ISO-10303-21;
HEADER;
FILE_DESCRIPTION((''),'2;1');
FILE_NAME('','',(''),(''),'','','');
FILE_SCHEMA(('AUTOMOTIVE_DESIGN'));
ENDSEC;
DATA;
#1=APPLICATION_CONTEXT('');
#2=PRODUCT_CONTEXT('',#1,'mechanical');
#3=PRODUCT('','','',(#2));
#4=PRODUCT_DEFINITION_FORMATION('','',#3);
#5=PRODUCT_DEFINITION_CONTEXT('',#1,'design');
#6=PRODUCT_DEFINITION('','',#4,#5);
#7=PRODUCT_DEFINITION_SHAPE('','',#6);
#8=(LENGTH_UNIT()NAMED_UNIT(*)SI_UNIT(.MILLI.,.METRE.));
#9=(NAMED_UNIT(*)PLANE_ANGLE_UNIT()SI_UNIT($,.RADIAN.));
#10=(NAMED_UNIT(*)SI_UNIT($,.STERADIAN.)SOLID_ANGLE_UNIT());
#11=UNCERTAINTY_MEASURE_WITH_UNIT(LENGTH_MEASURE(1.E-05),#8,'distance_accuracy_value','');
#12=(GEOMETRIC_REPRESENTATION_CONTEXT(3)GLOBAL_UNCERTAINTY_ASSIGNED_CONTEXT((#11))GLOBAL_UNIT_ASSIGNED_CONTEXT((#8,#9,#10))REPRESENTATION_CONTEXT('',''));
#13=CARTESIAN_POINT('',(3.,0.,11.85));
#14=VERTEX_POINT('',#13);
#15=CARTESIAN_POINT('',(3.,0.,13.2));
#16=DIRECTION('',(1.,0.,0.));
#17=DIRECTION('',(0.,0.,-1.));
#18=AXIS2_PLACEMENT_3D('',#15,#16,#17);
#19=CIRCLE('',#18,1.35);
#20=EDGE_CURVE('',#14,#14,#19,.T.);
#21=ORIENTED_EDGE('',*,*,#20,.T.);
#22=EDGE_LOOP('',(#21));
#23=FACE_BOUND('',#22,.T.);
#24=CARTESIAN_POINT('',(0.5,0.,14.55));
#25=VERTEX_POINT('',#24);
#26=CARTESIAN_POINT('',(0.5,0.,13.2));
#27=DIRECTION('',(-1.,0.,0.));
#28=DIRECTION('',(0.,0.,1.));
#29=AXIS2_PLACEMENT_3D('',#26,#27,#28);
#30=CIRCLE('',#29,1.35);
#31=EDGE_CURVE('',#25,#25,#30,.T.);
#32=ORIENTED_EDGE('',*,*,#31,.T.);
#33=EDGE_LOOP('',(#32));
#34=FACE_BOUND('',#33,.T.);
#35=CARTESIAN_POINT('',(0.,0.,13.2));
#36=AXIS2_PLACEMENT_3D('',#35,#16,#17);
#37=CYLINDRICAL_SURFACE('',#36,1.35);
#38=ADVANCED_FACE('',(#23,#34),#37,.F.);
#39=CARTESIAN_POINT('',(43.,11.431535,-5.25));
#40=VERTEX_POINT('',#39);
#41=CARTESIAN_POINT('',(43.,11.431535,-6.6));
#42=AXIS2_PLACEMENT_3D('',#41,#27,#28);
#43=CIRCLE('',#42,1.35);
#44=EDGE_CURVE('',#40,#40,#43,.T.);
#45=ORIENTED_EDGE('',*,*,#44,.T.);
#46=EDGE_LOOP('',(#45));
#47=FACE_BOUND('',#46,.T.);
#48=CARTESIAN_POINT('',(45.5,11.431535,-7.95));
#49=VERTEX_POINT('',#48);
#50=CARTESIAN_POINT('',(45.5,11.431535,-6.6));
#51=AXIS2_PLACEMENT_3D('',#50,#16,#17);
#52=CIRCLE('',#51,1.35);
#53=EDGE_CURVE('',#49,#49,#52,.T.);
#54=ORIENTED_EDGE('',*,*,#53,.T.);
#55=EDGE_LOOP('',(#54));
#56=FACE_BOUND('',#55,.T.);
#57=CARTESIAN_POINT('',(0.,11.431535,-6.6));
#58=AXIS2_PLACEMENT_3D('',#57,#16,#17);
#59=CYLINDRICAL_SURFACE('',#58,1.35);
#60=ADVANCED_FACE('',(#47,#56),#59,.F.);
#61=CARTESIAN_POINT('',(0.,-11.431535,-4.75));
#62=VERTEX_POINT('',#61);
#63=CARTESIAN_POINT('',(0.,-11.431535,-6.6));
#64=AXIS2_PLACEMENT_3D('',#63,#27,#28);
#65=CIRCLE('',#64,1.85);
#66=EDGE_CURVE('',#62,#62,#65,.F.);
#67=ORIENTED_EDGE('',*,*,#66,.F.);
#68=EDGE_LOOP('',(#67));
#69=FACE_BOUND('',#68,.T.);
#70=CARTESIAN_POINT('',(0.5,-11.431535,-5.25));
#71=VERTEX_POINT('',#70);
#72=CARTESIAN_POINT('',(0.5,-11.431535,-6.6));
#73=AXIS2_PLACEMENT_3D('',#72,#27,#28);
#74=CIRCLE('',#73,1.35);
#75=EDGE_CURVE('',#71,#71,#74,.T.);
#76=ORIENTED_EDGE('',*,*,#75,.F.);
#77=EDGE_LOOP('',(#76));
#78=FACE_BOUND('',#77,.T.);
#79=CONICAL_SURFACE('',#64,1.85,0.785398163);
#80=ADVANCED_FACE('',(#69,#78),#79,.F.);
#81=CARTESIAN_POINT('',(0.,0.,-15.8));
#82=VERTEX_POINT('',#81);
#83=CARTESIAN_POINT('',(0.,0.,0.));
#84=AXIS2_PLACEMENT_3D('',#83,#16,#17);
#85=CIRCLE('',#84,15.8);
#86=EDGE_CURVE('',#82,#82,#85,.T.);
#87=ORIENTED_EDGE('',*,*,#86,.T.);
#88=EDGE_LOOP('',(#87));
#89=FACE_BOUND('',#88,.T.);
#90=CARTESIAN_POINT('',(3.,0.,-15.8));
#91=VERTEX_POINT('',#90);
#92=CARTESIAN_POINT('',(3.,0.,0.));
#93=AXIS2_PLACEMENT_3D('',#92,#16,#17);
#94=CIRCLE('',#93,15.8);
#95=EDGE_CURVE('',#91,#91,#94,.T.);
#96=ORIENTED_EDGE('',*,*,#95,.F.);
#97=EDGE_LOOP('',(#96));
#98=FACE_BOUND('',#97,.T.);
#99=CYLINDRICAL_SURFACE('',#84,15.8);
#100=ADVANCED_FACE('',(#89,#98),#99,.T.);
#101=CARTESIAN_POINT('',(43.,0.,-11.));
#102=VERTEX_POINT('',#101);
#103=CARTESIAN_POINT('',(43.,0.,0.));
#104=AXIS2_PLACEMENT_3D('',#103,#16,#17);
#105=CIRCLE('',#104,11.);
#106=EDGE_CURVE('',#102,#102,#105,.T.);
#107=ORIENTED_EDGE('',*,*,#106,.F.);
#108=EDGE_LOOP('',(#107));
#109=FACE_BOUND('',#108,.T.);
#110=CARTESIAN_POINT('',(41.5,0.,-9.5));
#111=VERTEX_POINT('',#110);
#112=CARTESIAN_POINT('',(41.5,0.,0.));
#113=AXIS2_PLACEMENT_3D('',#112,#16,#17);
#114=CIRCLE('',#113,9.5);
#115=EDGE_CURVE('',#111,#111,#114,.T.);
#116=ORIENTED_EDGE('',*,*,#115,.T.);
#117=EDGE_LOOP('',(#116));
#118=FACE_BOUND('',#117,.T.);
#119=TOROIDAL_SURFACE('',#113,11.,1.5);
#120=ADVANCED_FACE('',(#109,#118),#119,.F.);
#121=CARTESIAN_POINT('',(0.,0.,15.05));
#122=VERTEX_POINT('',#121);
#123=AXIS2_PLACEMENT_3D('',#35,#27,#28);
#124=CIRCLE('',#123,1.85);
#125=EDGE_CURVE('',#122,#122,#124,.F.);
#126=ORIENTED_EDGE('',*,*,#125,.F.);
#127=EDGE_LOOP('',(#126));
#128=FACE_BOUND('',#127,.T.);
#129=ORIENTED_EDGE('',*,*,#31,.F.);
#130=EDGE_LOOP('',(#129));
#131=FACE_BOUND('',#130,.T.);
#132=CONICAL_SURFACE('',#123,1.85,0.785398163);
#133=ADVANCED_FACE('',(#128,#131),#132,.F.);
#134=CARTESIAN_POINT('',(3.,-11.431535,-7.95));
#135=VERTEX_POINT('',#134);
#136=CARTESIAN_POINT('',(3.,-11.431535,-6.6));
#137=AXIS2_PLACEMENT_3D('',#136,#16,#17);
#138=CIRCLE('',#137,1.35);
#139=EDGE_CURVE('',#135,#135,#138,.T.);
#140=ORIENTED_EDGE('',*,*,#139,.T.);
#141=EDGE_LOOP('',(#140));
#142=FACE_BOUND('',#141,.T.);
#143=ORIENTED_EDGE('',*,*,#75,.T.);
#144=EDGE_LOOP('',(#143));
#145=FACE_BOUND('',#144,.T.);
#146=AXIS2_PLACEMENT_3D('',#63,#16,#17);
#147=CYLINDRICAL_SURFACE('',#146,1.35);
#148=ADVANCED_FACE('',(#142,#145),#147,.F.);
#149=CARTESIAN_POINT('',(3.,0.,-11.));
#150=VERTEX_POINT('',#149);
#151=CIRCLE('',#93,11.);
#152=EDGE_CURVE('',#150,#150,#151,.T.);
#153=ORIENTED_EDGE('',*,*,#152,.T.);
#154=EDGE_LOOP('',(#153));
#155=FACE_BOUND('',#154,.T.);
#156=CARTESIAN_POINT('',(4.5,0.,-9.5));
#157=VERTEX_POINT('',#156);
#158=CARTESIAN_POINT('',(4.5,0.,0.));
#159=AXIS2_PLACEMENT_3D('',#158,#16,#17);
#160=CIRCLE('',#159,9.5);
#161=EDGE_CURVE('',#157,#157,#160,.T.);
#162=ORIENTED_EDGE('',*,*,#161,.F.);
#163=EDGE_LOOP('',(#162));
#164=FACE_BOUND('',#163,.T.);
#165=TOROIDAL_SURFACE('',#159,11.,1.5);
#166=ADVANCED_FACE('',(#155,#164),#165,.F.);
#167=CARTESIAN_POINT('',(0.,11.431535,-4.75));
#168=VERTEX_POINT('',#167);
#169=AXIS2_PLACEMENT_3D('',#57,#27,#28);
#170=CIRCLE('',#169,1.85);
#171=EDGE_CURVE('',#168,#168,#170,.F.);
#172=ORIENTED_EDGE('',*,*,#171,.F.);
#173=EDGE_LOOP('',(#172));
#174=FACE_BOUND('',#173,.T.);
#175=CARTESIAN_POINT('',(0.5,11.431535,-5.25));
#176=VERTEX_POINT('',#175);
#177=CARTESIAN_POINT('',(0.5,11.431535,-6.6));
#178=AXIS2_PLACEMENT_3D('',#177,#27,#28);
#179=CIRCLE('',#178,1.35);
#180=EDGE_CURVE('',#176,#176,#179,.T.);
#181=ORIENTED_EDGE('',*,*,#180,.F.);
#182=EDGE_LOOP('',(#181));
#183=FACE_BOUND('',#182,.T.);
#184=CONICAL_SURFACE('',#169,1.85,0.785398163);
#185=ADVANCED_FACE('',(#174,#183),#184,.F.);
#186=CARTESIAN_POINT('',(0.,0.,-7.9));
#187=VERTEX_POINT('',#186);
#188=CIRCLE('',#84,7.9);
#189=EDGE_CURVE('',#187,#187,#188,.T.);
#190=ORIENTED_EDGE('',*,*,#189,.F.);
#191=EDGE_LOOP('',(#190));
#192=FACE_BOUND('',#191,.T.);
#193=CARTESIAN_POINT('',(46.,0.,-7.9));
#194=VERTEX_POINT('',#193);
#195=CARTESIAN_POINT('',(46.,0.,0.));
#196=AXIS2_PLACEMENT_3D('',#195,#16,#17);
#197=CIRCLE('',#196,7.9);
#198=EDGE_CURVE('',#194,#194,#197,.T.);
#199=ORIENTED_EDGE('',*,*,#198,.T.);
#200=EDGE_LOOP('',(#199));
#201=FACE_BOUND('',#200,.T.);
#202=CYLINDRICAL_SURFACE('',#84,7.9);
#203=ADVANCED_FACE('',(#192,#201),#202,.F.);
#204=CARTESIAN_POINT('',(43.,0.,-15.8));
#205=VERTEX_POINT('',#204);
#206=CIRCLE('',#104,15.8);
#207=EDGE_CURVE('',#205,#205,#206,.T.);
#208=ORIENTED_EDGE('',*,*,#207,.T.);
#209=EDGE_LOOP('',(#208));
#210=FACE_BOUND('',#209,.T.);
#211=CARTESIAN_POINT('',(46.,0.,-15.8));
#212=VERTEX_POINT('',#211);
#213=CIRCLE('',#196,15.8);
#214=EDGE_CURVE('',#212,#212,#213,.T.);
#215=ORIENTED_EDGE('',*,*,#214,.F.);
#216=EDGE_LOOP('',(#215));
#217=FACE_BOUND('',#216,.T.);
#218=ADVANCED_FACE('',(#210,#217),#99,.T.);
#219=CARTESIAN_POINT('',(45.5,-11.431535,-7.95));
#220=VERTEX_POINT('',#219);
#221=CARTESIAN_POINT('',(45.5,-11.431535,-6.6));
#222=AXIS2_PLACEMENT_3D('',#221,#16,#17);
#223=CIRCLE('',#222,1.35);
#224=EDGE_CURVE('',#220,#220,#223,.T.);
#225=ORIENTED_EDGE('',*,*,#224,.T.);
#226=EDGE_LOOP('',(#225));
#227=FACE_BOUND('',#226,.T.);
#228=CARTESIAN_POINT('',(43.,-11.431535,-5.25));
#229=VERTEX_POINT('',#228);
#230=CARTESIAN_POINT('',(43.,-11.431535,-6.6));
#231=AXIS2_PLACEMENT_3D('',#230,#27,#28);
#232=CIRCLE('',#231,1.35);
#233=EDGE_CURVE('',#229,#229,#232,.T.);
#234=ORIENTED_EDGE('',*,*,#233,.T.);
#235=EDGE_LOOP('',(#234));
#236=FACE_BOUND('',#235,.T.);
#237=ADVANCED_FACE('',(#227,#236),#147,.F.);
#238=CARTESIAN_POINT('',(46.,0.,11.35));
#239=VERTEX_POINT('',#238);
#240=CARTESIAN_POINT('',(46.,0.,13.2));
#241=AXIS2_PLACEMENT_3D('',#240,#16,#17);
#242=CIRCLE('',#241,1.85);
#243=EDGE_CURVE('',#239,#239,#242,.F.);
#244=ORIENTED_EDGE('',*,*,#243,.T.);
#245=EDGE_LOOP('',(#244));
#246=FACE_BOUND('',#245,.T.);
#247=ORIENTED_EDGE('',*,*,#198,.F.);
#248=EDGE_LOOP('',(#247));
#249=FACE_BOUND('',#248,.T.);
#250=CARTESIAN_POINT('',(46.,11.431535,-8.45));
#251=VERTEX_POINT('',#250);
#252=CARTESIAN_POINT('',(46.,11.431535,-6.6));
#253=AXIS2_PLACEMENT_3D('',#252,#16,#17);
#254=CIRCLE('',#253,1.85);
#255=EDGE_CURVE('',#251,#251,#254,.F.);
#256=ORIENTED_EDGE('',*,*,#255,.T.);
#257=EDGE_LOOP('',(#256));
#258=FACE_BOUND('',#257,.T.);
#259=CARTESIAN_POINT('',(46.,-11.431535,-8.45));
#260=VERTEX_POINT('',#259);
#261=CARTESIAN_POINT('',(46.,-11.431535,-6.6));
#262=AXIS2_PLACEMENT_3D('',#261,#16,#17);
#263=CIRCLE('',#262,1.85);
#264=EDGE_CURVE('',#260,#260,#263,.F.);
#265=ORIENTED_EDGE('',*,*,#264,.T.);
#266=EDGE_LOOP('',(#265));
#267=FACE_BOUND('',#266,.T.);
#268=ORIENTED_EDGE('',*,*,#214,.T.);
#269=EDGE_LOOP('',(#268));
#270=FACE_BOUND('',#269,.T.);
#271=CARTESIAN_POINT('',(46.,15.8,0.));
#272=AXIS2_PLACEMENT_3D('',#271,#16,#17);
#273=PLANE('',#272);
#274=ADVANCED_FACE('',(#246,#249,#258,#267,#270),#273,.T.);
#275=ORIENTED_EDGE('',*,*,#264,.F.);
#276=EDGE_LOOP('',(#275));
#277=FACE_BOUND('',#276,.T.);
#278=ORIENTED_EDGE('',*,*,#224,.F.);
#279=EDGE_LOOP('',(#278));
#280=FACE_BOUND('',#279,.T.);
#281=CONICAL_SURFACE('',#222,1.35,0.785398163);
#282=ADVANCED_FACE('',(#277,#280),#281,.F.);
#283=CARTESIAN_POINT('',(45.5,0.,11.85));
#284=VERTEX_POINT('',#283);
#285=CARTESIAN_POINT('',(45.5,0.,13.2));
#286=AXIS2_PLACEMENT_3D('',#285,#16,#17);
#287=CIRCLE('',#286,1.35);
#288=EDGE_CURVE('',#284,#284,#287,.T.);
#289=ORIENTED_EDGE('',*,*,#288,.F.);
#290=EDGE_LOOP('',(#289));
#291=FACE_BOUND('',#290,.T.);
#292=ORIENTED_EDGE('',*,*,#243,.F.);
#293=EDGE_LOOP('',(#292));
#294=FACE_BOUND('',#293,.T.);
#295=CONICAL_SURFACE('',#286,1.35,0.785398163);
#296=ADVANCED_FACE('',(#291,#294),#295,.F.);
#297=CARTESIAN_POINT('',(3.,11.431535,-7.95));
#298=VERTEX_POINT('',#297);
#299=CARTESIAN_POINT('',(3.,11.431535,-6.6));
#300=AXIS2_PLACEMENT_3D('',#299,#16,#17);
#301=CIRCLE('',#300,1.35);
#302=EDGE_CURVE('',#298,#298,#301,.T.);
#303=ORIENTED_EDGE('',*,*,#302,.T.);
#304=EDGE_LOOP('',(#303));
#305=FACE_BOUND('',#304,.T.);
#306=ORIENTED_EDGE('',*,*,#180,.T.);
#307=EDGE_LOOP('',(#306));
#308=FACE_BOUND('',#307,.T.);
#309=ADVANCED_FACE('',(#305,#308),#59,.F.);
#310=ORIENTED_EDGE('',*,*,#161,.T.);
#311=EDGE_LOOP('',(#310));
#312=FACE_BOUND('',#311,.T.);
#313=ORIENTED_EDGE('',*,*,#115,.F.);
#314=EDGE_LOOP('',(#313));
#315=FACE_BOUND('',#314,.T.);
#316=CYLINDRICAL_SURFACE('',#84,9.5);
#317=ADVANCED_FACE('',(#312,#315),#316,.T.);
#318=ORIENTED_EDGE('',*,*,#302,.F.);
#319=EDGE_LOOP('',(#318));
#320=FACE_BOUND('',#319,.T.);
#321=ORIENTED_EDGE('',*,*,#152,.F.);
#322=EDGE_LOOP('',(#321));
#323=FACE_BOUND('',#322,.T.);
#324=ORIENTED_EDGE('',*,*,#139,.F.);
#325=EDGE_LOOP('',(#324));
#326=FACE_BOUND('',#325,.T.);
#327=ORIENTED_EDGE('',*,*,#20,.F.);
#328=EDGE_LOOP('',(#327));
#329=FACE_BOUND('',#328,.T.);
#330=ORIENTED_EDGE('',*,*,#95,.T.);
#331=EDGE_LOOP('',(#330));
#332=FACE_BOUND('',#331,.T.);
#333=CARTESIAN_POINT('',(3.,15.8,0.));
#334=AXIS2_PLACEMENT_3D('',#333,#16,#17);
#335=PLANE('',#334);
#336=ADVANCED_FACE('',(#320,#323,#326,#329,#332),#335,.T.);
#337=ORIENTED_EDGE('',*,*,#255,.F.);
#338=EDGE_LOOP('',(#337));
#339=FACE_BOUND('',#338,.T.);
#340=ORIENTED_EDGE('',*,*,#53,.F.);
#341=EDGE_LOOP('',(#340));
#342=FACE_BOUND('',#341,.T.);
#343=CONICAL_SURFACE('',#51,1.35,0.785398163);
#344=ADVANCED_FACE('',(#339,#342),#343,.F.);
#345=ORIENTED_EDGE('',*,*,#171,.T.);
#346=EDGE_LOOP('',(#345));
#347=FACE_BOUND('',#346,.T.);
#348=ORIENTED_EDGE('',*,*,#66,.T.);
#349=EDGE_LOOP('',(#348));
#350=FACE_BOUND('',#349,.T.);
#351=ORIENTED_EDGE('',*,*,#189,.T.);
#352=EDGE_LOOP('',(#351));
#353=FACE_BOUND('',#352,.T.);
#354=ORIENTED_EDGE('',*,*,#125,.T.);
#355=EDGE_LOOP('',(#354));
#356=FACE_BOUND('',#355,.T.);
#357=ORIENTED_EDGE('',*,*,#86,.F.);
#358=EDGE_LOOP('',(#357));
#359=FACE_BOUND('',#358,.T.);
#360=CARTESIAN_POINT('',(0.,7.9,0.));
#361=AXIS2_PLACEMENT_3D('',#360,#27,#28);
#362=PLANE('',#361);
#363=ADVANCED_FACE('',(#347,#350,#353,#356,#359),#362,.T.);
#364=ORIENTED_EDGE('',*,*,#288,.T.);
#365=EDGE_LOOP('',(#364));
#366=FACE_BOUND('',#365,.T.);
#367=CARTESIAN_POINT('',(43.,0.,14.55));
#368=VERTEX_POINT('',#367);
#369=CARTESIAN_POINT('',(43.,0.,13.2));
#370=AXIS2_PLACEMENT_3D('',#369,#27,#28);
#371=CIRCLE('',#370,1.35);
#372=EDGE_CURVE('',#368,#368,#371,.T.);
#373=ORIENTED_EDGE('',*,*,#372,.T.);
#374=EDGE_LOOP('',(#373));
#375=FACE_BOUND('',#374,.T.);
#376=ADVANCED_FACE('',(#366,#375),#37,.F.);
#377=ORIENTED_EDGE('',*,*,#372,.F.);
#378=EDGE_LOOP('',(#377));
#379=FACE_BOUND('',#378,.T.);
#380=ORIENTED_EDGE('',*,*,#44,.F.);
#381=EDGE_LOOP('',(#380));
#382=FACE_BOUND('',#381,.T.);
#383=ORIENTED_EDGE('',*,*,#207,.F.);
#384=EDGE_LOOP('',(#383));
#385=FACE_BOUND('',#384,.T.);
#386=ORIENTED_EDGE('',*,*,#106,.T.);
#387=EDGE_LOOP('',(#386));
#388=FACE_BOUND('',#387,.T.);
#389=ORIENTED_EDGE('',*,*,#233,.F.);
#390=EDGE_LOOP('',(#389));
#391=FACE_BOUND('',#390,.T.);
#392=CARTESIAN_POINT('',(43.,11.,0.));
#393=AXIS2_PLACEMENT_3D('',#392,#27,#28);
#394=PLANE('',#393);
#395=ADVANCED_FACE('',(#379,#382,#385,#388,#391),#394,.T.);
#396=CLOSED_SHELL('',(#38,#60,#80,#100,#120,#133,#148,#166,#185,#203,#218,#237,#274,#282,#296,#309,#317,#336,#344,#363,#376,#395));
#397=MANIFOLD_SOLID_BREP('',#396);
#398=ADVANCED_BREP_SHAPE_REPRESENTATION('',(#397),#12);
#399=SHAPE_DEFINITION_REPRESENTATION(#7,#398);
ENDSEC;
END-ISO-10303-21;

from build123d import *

# Parameters (mm, degrees)
SKETCH3_R          = 1.35
CUT_EXTRUDE1_DEPTH = 52.139808369
CHAMFER1_SIZE      = 0.5


with BuildPart() as part:
    # Sketch1 → Revolve1 (revolve)
    with BuildSketch(Plane.XY, mode=Mode.PRIVATE) as revolve1_sk:
        with BuildLine():
            Line((0, 7.9), (0, 15.8))
            Line((0, 15.8), (3, 15.8))
            Line((3, 15.8), (3, 11))
            ThreePointArc((3, 11), (3.439339828, 9.939339828), (4.5, 9.5))
            Line((4.5, 9.5), (41.5, 9.5))
            ThreePointArc((41.5, 9.5), (42.560660172, 9.939339828), (43, 11))
            Line((43, 11), (43, 15.8))
            Line((43, 15.8), (46, 15.8))
            Line((46, 15.8), (46, 7.9))
            Line((46, 7.9), (43, 7.9))
            Line((43, 7.9), (3, 7.9))
            Line((3, 7.9), (0, 7.9))
        make_face()
    revolve(revolve1_sk.sketch.rotate(Axis((0, 0, 0), (-1, 0, 0)), 90), axis=Axis((0, 0, 0), (-1, 0, 0)))

    # Sketch3 → Cut-Extrude1 (cut, through all)
    with BuildSketch(Plane(origin=(46, 0, 0), x_dir=(0, 0, -1), z_dir=(1, 0, 0))):
        with Locations((-13.2, 0)):
            Circle(SKETCH3_R)
        with Locations((6.6, 11.43153533)):
            Circle(SKETCH3_R)
        with Locations((6.6, -11.43153533)):
            Circle(SKETCH3_R)
    extrude(amount=-CUT_EXTRUDE1_DEPTH, mode=Mode.SUBTRACT)

    # Chamfer1
    chamfer1_edges = [part.edges().sort_by_distance(p)[0] for p in [
        (0, 0, 14.55),
        (46, 0, 14.55),
        (0, 11.43153533, -5.25),
        (46, 11.43153533, -5.25),
        (0, -11.43153533, -5.25),
        (46, -11.43153533, -5.25),
    ]]
    chamfer(chamfer1_edges, length=CHAMFER1_SIZE)


solid = part.part
